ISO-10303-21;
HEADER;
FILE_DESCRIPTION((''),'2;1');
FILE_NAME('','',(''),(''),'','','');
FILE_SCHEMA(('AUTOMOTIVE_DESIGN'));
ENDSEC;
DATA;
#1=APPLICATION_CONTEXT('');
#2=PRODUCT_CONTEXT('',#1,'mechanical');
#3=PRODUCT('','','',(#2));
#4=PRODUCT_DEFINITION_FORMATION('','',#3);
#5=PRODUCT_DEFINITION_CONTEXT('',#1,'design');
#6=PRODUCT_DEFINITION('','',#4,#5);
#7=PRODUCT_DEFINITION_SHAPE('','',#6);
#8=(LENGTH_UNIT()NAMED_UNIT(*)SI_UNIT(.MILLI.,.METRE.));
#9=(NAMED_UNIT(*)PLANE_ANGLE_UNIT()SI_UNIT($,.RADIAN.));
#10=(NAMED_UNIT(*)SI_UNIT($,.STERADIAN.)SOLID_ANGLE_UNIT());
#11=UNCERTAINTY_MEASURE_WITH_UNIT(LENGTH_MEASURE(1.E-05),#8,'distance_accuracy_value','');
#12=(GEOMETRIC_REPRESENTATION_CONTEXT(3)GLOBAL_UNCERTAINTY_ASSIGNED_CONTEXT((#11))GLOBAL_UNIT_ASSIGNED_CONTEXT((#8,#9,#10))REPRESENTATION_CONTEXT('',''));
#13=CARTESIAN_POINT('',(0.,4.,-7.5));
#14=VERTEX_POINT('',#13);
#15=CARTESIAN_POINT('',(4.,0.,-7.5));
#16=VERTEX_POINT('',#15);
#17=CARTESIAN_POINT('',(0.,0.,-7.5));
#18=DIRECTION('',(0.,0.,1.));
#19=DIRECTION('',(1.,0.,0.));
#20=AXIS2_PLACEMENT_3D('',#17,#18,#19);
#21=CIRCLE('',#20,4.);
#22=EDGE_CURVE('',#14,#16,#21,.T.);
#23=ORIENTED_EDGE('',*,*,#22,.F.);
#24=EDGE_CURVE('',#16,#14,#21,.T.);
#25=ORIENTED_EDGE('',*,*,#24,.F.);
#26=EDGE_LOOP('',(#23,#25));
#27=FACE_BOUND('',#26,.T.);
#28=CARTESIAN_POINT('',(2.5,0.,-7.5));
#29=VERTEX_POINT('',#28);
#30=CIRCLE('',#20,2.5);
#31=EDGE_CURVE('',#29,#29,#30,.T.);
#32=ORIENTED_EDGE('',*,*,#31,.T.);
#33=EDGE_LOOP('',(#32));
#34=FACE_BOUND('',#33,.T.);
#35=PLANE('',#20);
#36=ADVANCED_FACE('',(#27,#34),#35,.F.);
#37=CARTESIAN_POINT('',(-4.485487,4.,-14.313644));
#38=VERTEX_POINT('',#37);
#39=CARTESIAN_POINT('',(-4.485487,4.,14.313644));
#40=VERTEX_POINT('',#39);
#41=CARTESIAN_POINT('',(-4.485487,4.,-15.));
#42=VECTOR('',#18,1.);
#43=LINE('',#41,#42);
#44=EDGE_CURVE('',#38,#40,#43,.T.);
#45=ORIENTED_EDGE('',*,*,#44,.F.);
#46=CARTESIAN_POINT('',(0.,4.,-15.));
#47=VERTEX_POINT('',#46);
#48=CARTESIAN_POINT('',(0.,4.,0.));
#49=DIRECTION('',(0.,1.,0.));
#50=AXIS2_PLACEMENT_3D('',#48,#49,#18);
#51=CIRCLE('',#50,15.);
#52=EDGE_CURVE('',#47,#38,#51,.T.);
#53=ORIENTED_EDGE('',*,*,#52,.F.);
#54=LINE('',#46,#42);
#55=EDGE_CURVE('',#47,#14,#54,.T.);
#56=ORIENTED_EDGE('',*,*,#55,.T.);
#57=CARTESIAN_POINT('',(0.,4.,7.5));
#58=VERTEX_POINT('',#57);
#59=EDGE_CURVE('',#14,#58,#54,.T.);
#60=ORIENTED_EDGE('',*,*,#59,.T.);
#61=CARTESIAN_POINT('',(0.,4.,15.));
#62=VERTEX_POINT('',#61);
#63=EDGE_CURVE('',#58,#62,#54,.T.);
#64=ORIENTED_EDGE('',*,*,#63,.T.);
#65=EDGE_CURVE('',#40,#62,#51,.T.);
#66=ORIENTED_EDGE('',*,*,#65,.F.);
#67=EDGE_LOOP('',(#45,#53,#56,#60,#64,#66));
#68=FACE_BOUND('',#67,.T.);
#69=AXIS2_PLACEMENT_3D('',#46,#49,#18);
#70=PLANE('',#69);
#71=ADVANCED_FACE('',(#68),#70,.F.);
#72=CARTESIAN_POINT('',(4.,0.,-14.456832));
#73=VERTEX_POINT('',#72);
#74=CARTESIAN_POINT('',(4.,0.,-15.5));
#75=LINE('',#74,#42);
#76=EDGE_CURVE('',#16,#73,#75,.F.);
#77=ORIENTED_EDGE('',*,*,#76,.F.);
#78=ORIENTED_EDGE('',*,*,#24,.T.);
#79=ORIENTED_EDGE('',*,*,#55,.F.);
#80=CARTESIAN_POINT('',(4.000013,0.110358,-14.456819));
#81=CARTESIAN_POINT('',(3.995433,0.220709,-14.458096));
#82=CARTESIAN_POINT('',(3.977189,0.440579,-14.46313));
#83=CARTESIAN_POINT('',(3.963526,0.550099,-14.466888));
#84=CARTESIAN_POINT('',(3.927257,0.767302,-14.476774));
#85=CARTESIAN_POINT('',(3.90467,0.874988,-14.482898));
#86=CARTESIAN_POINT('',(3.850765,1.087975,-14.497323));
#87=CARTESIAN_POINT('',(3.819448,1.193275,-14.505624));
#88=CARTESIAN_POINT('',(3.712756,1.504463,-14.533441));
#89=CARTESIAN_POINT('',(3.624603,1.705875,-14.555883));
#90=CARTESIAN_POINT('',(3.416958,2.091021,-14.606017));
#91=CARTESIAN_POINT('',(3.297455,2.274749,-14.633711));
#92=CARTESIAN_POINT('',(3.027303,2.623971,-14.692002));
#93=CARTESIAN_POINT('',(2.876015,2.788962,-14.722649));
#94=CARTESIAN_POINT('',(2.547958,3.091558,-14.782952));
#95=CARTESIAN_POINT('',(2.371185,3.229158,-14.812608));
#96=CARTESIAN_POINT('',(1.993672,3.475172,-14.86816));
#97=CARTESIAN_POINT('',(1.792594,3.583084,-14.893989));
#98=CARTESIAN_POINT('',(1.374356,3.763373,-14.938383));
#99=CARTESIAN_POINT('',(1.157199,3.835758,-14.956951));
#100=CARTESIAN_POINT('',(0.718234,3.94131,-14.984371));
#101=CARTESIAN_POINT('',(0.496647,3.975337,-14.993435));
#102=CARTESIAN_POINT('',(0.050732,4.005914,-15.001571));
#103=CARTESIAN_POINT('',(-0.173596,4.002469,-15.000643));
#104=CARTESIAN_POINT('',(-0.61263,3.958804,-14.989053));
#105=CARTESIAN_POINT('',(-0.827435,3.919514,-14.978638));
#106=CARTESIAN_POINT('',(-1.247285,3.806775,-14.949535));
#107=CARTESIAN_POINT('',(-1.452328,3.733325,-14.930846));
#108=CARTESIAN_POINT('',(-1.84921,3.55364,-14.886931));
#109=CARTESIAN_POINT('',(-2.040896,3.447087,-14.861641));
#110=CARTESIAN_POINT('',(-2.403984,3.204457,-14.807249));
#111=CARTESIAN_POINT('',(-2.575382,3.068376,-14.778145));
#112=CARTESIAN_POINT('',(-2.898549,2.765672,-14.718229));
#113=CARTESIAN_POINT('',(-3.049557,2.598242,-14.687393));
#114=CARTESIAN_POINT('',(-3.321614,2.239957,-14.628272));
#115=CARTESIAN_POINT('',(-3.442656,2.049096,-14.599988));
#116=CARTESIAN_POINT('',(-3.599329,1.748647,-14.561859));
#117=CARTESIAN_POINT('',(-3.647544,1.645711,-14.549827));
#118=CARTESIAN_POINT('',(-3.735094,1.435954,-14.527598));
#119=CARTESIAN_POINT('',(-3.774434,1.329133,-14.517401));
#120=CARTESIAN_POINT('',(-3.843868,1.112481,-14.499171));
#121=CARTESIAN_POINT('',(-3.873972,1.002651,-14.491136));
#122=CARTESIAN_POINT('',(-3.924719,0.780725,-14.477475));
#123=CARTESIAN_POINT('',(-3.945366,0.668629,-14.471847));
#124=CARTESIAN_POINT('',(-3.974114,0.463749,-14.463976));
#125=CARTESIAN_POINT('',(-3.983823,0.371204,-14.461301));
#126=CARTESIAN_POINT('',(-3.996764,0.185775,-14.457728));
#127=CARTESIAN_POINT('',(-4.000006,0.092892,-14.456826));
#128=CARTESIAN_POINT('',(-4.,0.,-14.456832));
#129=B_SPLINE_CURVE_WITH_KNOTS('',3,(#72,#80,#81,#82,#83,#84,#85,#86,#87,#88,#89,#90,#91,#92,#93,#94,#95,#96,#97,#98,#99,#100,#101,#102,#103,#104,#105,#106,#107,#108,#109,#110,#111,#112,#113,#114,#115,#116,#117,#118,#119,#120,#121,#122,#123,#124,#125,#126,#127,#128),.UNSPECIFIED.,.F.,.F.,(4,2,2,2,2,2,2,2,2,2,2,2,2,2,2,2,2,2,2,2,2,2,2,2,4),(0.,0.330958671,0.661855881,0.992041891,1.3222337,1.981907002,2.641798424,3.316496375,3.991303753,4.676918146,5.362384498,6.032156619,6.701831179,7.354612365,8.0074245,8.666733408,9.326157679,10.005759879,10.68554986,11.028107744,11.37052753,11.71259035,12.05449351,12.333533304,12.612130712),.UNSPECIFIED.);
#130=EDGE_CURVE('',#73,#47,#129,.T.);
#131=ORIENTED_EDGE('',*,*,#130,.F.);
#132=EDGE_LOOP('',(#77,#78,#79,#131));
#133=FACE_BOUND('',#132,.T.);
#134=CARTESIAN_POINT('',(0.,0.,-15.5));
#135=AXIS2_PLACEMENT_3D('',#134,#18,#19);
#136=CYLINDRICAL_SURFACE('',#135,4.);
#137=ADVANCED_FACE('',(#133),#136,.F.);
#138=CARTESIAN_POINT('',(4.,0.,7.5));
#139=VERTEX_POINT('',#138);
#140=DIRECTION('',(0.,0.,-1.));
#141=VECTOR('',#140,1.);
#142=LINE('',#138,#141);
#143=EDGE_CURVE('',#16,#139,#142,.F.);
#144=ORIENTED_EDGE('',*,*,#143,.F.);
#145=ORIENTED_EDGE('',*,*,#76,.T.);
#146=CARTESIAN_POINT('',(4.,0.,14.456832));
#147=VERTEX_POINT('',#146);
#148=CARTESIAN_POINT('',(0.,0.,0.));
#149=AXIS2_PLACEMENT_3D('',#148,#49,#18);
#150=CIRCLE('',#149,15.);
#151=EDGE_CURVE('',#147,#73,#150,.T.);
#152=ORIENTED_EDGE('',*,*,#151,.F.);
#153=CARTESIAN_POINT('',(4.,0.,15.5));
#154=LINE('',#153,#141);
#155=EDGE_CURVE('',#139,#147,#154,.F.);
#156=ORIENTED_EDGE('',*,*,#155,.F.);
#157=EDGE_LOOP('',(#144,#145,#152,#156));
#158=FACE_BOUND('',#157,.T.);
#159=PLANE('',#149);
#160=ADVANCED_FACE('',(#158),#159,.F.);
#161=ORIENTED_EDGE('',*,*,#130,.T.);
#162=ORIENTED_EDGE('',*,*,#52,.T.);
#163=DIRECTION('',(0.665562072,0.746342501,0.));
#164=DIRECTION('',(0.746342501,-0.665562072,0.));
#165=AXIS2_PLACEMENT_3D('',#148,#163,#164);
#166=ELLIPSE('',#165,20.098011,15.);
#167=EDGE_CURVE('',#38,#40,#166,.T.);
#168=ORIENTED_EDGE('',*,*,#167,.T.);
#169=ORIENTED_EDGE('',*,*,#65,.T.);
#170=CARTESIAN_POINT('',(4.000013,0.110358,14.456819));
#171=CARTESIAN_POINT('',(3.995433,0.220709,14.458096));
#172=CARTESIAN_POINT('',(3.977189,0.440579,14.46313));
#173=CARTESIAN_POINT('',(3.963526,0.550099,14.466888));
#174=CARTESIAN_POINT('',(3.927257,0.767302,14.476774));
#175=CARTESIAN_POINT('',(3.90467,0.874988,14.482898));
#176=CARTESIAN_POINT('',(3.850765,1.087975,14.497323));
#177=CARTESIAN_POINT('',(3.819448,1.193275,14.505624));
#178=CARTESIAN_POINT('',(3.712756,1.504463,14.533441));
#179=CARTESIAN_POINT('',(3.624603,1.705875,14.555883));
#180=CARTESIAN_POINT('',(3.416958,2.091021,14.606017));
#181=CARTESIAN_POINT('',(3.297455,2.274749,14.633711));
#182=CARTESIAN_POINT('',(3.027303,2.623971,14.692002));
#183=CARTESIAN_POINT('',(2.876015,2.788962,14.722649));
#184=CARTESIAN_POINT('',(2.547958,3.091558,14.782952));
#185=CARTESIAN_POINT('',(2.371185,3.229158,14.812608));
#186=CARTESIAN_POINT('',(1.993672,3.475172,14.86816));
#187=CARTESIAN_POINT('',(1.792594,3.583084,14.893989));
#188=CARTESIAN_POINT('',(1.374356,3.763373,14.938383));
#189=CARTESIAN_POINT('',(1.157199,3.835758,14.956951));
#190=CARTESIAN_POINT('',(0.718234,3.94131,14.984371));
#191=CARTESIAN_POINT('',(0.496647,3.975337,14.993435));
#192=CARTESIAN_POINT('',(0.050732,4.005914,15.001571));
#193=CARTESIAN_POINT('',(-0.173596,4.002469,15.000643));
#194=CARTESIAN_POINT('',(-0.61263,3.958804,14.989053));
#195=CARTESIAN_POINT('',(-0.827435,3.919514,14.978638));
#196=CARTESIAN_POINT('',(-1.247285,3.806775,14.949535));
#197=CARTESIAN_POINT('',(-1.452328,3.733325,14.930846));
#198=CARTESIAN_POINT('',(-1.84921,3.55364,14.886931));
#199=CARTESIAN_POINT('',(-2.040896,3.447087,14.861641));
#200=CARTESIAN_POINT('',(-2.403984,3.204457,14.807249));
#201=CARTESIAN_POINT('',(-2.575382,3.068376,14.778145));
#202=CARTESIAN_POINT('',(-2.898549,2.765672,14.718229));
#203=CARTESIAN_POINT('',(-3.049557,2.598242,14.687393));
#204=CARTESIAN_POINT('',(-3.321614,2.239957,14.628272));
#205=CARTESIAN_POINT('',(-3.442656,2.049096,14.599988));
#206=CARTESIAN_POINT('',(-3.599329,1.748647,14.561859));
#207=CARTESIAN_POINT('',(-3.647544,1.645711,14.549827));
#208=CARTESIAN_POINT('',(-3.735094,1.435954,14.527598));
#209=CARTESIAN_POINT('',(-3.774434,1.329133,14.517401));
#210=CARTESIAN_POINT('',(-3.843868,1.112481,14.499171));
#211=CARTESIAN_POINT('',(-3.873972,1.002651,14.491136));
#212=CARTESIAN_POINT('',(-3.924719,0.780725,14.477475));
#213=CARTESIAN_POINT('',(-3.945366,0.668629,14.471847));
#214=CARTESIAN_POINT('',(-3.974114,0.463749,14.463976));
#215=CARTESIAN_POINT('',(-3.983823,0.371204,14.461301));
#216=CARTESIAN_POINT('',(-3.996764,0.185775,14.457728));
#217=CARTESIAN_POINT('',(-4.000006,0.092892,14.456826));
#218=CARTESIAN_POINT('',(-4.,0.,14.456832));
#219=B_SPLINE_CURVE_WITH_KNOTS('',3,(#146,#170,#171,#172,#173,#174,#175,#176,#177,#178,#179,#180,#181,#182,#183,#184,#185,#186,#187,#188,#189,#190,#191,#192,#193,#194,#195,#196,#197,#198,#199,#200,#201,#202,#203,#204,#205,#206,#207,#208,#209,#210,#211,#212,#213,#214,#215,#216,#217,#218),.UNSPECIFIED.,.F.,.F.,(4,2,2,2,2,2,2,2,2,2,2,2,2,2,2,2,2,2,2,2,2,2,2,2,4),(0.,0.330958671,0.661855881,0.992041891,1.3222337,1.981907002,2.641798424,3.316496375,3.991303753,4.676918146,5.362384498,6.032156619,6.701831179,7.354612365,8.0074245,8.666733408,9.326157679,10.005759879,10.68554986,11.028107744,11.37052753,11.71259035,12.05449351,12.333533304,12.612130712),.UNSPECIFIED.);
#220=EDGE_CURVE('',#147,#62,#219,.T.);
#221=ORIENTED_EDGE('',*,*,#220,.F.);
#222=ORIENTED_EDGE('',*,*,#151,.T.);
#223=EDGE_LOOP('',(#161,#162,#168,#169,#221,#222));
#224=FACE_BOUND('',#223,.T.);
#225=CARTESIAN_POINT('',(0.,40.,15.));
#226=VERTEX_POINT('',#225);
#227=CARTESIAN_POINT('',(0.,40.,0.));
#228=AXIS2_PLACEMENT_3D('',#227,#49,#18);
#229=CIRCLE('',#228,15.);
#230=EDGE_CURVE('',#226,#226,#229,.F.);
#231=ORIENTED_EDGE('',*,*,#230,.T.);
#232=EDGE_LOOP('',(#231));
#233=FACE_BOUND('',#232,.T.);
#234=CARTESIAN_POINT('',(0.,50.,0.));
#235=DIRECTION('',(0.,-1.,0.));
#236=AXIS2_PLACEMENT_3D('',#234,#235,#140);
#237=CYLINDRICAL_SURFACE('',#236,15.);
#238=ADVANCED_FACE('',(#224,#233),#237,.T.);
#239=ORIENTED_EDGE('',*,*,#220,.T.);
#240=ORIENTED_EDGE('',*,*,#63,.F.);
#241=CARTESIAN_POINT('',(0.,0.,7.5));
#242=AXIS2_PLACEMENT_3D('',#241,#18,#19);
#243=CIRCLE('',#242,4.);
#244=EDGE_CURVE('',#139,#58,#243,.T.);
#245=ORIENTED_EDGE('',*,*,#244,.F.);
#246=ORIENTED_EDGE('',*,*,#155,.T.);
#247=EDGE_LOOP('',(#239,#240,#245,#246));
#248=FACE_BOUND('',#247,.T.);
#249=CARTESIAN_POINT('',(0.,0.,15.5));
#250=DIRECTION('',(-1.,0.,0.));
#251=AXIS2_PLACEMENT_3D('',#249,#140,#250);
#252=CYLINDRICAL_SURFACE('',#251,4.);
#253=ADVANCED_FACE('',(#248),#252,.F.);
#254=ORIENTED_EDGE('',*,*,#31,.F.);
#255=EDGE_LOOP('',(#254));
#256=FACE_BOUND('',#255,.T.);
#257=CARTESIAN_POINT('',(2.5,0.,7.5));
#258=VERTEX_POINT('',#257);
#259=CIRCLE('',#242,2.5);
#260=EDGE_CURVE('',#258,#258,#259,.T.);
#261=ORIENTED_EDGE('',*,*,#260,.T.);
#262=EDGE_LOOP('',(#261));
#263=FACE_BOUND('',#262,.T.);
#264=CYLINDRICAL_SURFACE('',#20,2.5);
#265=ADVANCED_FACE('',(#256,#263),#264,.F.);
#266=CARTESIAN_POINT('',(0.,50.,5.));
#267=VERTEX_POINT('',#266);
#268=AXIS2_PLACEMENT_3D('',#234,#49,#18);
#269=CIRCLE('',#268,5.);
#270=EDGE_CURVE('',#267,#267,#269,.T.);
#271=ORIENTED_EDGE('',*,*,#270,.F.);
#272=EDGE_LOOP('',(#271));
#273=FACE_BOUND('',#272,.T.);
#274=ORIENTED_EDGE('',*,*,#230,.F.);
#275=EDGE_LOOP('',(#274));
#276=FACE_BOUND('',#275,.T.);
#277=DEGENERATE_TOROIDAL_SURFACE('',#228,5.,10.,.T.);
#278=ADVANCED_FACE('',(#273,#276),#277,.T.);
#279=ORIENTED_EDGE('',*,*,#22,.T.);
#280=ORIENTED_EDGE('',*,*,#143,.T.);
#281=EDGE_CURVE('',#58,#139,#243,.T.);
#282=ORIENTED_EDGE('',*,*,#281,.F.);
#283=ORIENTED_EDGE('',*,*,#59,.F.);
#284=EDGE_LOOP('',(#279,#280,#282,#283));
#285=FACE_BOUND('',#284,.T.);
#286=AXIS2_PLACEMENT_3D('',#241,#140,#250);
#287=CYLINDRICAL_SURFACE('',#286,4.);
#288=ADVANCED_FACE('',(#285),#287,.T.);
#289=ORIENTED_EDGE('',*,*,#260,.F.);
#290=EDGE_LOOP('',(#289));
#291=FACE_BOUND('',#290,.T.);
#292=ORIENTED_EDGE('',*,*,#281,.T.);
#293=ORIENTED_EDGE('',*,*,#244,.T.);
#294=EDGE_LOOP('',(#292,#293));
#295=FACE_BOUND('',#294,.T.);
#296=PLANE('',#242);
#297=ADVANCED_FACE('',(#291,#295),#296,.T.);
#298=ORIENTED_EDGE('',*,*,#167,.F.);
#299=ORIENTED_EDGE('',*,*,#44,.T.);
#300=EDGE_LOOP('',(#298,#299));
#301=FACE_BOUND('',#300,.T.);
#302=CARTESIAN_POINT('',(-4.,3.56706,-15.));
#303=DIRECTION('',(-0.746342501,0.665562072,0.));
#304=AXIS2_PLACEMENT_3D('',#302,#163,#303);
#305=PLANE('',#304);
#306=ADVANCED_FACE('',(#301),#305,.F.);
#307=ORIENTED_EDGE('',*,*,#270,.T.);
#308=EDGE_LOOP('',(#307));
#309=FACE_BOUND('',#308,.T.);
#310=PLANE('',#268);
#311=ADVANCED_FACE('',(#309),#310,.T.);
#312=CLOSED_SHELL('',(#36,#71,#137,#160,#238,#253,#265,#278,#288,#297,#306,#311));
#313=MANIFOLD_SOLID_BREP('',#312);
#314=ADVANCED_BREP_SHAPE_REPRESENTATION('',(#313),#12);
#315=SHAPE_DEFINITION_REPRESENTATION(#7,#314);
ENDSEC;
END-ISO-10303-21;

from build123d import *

# Parameters (mm, degrees)
CROQUIS1_R              = 15
SALIENTE_EXTRUIR1_DEPTH = 50
CROQUIS2_R              = 4
SALIENTE_EXTRUIR2_DEPTH = 7.5
CORTAR_EXTRUIR2_START   = 8
CROQUIS3_R              = 4
CORTAR_EXTRUIR2_DEPTH   = 8
REDONDEO1_R             = 10
CORTAR_EXTRUIR3_DEPTH   = 15
CORTAR_EXTRUIR4_DEPTH   = 15
CROQUIS6_R              = 2.5
CORTAR_EXTRUIR5_DEPTH   = 15


with BuildPart() as part:
    # Croquis1 → Saliente-Extruir1 (new body)
    with BuildSketch(Plane(origin=(0, 0, 0), x_dir=(1, 0, 0), z_dir=(0, 1, 0))):
        with Locations(Location((0, 0, 0), (0, 0, 270))):
            Circle(CROQUIS1_R)
    extrude(amount=SALIENTE_EXTRUIR1_DEPTH)

    # Croquis2 → Saliente-Extruir2 (add, symmetric)
    with BuildSketch(Plane.XY):
        Circle(CROQUIS2_R)
    extrude(amount=SALIENTE_EXTRUIR2_DEPTH, both=True)

    # Croquis3 → Cortar-Extruir2 (cut)
    with BuildSketch(Plane.XY.offset(7.5).offset(CORTAR_EXTRUIR2_START)):
        Circle(CROQUIS3_R)
    cortar_extruir2 = extrude(amount=-CORTAR_EXTRUIR2_DEPTH, mode=Mode.SUBTRACT)

    # Simetría1: Cortar-Extruir2 across plane
    add(cortar_extruir2.mirror(Plane.XY), mode=Mode.SUBTRACT)

    # Redondeo1
    redondeo1_edges = [part.edges().sort_by_distance(p)[0] for p in [
        (0, 50, -15),
    ]]
    fillet(redondeo1_edges, radius=REDONDEO1_R)

    # Croquis4 → Cortar-Extruir3 (cut, symmetric)
    with BuildSketch(Plane.XY):
        Polygon((-15, 13.376474032), (-15, 0), (-4, 0), (-4, 3.567059742), align=None)
    extrude(amount=CORTAR_EXTRUIR3_DEPTH, both=True, mode=Mode.SUBTRACT)

    # Croquis5 → Cortar-Extruir4 (cut, symmetric)
    with BuildSketch(Plane.XY):
        with BuildLine():
            Line((0, 4), (-7.90720464, 4))
            Line((-7.90720464, 4), (-7.90720464, -4))
            Line((-7.90720464, -4), (0, -4))
            ThreePointArc((0, -4), (-4, 0), (0, 4))
        make_face()
    extrude(amount=CORTAR_EXTRUIR4_DEPTH, both=True, mode=Mode.SUBTRACT)

    # Croquis6 → Cortar-Extruir5 (cut)
    with BuildSketch(Plane.XY.offset(7.5)):
        Circle(CROQUIS6_R)
    extrude(amount=-CORTAR_EXTRUIR5_DEPTH, mode=Mode.SUBTRACT)


solid = part.part
